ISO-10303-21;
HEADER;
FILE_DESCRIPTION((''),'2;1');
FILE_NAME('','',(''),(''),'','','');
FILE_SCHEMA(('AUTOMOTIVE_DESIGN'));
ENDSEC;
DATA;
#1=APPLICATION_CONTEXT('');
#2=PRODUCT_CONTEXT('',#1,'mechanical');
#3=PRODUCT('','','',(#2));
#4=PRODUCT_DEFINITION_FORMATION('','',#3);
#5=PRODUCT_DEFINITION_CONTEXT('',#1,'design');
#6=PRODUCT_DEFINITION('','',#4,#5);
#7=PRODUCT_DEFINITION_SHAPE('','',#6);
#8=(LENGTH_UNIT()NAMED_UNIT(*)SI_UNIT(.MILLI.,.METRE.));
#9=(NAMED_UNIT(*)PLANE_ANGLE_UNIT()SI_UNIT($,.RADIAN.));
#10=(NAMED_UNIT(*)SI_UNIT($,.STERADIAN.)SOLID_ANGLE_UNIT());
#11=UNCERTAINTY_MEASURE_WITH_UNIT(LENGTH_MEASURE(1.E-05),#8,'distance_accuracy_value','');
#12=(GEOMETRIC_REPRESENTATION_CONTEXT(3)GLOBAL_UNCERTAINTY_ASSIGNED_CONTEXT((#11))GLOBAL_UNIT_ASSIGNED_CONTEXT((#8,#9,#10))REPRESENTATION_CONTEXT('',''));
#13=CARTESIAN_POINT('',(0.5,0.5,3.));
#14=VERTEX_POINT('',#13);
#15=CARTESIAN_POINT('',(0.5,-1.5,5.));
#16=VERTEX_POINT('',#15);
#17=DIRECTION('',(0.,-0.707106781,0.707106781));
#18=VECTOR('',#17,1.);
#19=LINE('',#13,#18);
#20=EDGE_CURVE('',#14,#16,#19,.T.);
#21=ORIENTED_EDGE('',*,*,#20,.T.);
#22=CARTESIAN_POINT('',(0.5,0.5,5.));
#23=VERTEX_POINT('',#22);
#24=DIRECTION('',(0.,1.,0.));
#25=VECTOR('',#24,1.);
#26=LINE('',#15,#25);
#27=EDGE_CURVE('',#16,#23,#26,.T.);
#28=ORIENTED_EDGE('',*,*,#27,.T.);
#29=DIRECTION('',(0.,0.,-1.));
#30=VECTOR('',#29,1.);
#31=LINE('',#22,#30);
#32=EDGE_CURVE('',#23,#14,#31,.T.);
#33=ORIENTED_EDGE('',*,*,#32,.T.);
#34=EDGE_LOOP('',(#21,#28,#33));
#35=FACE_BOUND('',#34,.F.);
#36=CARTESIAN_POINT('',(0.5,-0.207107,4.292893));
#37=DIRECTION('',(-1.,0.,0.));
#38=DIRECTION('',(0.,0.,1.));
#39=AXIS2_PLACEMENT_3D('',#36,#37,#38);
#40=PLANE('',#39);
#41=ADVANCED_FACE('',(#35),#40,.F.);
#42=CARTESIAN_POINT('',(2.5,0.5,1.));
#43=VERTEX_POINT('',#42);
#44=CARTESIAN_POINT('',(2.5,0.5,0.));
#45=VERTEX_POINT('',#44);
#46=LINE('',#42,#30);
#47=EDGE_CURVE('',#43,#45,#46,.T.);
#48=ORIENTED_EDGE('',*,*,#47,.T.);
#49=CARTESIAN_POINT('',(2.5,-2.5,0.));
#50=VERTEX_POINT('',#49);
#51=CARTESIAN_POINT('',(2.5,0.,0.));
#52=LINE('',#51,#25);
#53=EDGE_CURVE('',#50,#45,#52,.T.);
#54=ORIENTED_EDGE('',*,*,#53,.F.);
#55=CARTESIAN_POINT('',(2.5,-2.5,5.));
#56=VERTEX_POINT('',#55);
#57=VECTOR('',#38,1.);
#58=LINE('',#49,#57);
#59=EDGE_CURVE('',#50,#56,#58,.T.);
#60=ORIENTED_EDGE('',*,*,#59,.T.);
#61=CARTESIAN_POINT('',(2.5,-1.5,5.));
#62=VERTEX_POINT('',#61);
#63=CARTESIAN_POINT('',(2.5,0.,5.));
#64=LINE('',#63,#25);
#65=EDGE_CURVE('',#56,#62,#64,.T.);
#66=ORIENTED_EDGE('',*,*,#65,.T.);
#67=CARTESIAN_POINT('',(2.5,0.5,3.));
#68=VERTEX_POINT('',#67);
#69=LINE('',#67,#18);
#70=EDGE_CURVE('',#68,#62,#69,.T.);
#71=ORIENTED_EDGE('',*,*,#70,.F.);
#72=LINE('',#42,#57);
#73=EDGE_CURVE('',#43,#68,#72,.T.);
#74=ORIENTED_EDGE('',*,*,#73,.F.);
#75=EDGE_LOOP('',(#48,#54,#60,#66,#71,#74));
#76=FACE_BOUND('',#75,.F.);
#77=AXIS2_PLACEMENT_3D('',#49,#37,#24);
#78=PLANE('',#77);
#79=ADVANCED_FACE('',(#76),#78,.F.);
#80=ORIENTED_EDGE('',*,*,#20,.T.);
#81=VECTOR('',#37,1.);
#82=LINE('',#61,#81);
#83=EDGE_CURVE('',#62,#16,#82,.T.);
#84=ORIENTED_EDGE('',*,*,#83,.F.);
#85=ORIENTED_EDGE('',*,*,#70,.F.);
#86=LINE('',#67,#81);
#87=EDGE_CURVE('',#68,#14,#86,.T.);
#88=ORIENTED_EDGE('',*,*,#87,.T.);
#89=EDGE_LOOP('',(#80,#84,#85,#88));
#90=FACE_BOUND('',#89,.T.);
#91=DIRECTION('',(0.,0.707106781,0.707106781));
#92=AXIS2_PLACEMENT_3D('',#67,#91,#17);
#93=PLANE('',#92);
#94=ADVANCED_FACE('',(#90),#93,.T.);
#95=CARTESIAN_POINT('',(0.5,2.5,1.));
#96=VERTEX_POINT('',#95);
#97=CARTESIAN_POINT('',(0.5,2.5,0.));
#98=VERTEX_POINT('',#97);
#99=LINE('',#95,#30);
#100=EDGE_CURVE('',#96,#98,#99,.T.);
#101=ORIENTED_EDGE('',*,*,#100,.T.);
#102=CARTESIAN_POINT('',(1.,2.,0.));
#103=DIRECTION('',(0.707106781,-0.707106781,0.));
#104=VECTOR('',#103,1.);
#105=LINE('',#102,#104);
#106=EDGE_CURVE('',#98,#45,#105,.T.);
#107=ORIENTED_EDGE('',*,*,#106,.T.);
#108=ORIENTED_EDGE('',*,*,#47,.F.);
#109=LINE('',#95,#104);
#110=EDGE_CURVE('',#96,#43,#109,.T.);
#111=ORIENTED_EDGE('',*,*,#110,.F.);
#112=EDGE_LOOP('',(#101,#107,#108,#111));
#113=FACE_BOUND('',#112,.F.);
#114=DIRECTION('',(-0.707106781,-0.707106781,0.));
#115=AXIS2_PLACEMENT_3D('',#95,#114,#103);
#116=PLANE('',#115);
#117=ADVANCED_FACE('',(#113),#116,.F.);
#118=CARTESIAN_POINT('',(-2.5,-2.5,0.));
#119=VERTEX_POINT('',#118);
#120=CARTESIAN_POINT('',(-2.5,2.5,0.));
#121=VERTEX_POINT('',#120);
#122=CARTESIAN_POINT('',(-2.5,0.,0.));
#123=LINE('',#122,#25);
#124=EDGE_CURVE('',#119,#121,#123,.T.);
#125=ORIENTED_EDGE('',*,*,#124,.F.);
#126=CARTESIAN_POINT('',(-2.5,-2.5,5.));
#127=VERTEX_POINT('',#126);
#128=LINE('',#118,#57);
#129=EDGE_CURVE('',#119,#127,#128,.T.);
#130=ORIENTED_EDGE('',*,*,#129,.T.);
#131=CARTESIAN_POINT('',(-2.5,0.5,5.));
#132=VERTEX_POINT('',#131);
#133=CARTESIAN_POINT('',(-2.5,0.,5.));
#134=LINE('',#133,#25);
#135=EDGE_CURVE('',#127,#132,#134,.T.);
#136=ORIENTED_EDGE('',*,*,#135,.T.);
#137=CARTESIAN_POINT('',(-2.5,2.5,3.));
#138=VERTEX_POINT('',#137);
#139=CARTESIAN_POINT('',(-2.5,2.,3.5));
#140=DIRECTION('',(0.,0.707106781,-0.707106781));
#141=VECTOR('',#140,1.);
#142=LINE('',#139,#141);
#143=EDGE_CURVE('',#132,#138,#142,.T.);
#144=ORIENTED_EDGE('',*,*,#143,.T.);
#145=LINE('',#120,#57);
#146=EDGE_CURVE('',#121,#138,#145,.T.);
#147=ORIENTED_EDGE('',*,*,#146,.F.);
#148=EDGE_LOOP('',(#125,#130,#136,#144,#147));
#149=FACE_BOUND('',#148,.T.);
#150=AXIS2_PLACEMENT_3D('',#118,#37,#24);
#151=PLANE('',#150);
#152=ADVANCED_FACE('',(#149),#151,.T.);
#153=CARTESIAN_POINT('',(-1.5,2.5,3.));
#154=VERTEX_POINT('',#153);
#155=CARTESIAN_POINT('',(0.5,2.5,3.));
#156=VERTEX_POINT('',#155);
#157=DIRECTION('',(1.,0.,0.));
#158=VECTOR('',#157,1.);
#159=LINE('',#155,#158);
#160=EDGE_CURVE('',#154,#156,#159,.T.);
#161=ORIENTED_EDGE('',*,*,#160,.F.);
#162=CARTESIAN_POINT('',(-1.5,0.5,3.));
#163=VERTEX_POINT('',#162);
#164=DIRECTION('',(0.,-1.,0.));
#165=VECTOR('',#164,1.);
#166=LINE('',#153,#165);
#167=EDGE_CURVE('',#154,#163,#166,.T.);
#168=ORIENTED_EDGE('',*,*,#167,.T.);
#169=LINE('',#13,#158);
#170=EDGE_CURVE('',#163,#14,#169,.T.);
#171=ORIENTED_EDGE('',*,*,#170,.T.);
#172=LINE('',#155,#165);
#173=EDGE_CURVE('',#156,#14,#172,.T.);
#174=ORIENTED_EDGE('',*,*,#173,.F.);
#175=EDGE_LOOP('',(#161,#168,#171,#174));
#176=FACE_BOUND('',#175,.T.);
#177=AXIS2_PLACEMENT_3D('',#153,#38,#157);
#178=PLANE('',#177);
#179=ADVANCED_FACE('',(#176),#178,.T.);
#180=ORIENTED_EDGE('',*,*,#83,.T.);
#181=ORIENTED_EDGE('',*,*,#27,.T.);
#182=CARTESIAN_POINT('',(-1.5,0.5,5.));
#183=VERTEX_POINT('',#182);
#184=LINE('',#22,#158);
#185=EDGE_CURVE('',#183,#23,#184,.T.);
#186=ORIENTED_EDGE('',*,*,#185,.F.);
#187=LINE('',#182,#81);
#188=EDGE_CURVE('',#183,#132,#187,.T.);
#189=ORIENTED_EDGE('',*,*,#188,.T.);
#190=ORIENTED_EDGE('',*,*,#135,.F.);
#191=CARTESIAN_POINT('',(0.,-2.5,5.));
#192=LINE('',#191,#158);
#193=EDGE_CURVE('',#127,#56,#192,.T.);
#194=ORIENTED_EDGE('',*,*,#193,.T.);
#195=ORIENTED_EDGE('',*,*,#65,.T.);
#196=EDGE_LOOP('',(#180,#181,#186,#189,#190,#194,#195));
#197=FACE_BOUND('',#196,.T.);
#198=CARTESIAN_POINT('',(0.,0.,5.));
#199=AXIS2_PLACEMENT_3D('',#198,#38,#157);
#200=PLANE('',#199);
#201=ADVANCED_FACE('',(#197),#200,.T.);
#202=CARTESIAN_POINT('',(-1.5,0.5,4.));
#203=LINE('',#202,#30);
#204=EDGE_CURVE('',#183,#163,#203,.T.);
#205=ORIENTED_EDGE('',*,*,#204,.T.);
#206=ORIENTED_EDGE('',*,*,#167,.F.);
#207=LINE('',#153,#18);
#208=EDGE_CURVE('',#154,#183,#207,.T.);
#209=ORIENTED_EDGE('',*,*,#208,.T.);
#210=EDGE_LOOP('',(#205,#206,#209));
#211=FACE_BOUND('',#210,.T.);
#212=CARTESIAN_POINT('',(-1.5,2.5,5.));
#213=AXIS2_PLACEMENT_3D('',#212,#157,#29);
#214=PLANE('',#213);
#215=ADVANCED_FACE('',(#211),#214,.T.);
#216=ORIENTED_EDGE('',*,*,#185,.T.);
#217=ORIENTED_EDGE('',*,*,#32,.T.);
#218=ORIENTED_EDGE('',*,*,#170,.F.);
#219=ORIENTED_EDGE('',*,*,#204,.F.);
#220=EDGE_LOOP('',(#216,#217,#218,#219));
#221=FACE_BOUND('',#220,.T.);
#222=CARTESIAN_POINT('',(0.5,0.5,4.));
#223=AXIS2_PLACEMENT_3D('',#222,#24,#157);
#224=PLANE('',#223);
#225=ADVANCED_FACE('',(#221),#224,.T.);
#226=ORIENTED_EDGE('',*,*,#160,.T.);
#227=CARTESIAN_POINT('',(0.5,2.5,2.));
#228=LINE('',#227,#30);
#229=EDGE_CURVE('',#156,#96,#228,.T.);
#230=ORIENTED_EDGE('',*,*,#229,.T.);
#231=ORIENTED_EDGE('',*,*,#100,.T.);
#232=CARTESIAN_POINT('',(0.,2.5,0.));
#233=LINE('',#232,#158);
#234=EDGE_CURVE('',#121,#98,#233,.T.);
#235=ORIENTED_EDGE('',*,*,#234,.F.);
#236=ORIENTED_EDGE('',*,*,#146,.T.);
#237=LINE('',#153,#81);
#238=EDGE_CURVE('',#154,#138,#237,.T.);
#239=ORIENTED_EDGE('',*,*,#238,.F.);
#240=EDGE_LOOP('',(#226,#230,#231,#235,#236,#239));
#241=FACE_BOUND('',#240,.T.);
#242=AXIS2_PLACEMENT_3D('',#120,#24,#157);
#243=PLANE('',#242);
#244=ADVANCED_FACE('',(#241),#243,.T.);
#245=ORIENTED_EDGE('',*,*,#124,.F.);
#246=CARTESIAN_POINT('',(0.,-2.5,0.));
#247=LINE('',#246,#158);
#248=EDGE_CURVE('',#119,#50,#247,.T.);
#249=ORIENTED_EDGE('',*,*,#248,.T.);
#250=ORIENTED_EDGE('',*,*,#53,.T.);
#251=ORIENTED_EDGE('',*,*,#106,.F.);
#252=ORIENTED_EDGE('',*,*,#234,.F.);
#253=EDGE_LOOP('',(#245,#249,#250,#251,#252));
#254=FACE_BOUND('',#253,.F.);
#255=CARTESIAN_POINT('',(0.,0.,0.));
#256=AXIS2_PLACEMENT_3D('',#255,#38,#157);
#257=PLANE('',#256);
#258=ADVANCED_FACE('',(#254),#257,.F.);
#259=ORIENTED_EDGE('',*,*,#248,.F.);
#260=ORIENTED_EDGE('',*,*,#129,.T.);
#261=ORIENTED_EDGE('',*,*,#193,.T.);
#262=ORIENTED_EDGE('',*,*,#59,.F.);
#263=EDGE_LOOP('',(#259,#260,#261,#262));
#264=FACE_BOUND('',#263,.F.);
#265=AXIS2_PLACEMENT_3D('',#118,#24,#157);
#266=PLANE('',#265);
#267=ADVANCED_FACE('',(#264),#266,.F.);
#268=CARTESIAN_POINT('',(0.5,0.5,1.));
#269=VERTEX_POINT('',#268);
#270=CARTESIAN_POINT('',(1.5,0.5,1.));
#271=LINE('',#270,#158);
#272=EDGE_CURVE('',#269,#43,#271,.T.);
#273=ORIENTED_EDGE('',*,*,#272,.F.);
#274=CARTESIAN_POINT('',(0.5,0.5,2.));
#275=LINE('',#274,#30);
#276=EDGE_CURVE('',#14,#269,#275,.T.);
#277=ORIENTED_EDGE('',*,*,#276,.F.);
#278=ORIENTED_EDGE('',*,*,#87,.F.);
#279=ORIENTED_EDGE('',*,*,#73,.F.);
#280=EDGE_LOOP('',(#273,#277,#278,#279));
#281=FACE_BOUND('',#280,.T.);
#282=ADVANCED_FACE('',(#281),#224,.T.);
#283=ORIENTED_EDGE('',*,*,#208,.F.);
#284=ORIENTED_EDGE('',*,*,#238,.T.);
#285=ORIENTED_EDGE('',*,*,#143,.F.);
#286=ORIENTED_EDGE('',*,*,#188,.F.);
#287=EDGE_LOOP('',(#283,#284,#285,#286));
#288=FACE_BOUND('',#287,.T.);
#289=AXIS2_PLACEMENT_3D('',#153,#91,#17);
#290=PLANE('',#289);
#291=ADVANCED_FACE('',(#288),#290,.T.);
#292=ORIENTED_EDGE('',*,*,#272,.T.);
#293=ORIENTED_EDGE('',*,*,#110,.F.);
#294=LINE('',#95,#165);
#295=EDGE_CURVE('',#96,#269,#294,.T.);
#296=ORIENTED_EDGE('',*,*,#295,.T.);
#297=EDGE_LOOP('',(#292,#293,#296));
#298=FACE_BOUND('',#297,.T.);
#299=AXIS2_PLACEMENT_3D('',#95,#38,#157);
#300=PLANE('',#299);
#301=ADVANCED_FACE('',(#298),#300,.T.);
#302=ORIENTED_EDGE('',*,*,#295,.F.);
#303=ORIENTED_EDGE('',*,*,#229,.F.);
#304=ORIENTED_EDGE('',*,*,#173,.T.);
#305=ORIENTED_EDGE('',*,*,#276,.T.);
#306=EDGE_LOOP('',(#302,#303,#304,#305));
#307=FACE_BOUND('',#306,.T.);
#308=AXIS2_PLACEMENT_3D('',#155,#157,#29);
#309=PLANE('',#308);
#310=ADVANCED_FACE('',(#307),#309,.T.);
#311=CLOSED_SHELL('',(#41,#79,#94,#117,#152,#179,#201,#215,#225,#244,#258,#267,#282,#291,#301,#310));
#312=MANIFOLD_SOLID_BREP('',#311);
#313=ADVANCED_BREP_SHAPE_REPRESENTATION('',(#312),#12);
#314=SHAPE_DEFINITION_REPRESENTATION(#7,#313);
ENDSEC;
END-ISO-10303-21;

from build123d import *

# Parameters (mm, degrees)
SKETCH1_W           = 5
SKETCH1_H           = 5
BOSS_EXTRUDE1_DEPTH = 5
SKETCH2_W           = 4
SKETCH2_H           = 2
CUT_EXTRUDE1_DEPTH  = 2
SKETCH3_W           = 2
SKETCH3_H           = 2
CUT_EXTRUDE2_DEPTH  = 2
CUT_EXTRUDE3_DEPTH  = 2
CUT_EXTRUDE4_DEPTH  = 2
CUT_EXTRUDE5_DEPTH  = 2


with BuildPart() as part:
    # Sketch1 → Boss-Extrude1 (new body)
    with BuildSketch(Plane.XY):
        Rectangle(SKETCH1_W, SKETCH1_H)
    extrude(amount=BOSS_EXTRUDE1_DEPTH)

    # Sketch2 → Cut-Extrude1 (cut)
    with BuildSketch(Plane(origin=(0, 2.5, 0), x_dir=(1, 0, 0), z_dir=(0, 1, 0))):
        with Locations((0.5, -4)):
            Rectangle(SKETCH2_W, SKETCH2_H)
    extrude(amount=-CUT_EXTRUDE1_DEPTH, mode=Mode.SUBTRACT)

    # Sketch3 → Cut-Extrude2 (cut)
    with BuildSketch(Plane(origin=(0, 2.5, 0), x_dir=(1, 0, 0), z_dir=(0, 1, 0))):
        with Locations((1.5, -2)):
            Rectangle(SKETCH3_W, SKETCH3_H)
    extrude(amount=-CUT_EXTRUDE2_DEPTH, mode=Mode.SUBTRACT)

    # Sketch4 → Cut-Extrude3 (cut, through all)
    with BuildSketch(Plane.XY.offset(1)):
        Polygon((0.5, 2.5), (2.5, 0.5), (2.5, 2.5), align=None)
    extrude(amount=-CUT_EXTRUDE3_DEPTH, mode=Mode.SUBTRACT)

    # Sketch5 → Cut-Extrude4 (cut)
    with BuildSketch(Plane(origin=(2.5, 0, 0), x_dir=(0, 0, -1), z_dir=(1, 0, 0))):
        Polygon((-5, 0.5), (-3, 0.5), (-5, -1.5), align=None)
    extrude(amount=-CUT_EXTRUDE4_DEPTH, mode=Mode.SUBTRACT)

    # Sketch6 → Cut-Extrude5 (cut, through all)
    with BuildSketch(Plane(origin=(-1.5, 0, 0), x_dir=(0, 0, -1), z_dir=(1, 0, 0))):
        Polygon((-3, 2.5), (-5, 0.5), (-5, 2.5), align=None)
    extrude(amount=-CUT_EXTRUDE5_DEPTH, mode=Mode.SUBTRACT)


solid = part.part
